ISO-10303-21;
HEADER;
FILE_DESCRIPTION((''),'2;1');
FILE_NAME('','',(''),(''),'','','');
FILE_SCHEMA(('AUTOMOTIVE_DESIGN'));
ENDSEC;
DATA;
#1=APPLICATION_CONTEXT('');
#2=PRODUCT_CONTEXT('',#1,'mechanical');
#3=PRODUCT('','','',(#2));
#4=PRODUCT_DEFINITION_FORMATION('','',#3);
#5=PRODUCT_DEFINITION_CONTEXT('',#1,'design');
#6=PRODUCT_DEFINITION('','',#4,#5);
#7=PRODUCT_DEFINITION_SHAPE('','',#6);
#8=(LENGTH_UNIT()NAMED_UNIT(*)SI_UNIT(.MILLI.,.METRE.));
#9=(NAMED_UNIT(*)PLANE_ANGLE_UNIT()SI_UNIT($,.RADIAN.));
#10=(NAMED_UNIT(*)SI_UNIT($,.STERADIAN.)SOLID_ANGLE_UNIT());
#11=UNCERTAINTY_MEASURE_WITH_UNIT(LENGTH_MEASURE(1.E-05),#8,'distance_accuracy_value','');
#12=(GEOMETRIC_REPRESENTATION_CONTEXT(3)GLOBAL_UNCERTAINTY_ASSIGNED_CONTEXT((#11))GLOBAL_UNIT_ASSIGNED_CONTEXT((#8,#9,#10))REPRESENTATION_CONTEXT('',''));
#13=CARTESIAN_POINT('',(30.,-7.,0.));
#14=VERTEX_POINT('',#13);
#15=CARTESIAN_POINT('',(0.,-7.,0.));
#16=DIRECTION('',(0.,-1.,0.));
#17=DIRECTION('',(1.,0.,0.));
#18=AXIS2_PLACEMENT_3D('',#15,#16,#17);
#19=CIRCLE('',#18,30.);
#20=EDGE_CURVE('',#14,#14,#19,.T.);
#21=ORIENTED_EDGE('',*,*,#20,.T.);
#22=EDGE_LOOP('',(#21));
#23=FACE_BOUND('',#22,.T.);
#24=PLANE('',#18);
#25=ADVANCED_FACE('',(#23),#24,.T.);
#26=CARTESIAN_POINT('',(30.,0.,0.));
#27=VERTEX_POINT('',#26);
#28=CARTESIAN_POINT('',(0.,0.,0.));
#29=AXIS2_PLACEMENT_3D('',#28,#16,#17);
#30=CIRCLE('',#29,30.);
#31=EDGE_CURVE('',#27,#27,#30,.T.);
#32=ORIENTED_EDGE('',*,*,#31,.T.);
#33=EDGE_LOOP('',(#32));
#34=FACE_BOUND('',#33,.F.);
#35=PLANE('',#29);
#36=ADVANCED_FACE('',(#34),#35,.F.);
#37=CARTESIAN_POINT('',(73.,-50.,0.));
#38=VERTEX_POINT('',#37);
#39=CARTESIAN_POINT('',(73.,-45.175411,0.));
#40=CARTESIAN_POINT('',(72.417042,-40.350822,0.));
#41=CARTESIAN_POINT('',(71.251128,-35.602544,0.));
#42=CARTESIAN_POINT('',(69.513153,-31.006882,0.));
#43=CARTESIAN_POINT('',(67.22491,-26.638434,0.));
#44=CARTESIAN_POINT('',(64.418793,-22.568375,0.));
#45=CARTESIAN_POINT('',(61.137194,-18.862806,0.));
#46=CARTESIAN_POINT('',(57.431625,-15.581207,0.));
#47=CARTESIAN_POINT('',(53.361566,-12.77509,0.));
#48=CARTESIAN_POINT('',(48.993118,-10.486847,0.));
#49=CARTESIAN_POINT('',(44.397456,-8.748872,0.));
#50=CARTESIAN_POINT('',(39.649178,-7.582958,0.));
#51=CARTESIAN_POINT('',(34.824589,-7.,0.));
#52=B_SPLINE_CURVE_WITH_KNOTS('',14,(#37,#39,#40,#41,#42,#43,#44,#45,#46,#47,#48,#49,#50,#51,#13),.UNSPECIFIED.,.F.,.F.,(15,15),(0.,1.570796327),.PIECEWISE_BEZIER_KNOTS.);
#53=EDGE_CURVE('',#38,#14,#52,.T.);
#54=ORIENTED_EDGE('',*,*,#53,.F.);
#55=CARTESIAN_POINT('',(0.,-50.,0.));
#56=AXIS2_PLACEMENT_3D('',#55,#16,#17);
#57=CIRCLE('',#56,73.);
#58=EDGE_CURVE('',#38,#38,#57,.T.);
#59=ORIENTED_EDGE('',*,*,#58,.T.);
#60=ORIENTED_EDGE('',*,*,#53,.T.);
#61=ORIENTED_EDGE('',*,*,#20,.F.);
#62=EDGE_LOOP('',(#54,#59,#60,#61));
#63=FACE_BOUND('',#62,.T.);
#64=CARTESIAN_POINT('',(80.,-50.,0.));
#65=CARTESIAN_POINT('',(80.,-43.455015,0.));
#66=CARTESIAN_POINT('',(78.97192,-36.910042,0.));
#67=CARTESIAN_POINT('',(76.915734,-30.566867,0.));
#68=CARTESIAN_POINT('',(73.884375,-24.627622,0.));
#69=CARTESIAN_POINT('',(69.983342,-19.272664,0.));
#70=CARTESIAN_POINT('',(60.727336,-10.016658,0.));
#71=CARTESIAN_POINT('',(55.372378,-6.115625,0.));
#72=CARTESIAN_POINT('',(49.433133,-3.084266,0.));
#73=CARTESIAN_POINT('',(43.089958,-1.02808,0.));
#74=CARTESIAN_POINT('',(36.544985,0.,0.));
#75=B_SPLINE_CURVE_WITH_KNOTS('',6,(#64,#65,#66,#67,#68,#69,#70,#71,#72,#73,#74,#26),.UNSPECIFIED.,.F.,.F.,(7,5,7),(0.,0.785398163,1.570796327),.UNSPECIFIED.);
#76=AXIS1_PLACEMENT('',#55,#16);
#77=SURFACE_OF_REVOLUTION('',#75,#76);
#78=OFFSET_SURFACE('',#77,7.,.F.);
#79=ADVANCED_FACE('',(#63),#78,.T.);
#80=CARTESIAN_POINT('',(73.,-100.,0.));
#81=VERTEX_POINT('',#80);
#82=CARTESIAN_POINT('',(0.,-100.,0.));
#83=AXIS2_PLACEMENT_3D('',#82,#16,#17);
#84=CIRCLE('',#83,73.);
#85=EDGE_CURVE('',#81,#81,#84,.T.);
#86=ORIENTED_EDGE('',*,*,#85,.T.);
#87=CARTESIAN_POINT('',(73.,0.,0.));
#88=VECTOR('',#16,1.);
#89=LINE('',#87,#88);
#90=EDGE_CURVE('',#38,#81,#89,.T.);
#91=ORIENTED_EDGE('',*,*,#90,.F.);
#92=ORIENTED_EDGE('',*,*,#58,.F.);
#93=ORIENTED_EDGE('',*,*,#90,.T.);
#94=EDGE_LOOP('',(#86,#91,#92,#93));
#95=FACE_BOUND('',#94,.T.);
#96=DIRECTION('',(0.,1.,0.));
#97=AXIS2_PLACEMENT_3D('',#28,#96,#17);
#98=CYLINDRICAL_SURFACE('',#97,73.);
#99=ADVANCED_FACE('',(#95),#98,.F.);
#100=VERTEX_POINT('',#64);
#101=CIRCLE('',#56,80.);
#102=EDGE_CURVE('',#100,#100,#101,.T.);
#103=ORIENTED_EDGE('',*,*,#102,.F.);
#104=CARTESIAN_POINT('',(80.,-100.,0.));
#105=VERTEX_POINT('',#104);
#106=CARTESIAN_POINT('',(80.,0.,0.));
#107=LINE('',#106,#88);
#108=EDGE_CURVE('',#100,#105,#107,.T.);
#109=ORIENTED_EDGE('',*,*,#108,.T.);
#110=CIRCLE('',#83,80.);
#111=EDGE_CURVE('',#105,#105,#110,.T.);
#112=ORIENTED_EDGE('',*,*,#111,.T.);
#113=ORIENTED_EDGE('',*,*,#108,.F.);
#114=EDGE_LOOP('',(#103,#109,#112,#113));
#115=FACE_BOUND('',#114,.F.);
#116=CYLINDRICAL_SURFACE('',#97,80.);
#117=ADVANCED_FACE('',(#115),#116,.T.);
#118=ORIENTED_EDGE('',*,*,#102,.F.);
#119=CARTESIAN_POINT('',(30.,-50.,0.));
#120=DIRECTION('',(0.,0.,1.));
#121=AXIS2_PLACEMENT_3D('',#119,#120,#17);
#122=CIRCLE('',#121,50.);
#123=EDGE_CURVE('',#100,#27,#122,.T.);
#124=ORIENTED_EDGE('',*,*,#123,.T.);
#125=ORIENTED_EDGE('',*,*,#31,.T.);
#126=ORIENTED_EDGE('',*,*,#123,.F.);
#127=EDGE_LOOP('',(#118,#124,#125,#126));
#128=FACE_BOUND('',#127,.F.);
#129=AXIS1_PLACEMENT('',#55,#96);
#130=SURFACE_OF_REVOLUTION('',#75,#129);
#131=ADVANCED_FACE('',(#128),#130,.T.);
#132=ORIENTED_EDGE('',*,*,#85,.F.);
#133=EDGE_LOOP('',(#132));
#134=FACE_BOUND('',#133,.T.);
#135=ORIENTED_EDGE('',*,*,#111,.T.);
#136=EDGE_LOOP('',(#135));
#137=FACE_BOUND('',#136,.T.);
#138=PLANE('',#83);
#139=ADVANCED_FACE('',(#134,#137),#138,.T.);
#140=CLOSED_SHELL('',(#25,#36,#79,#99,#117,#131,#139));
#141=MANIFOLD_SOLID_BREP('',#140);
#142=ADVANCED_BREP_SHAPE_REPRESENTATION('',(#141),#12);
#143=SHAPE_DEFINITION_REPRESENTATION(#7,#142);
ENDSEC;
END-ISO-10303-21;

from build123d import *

# Parameters (mm, degrees)
F0_R     = 80
F1_DEPTH = 100
F2_R     = 50
F3_T     = -7


with BuildPart() as f1:
    # F0 (on Front) → F1 (new body)
    with BuildSketch(Plane.XZ):
        Circle(F0_R)
    extrude(amount=F1_DEPTH)

    # F2
    f2_edges = [f1.edges().sort_by_distance(p)[0] for p in [
        (-80, 0, 0),
    ]]
    fillet(f2_edges, radius=F2_R)

    # F3
    f3_openings = [f1.faces().sort_by_distance(p)[0] for p in [
        (0, -100, 0),
    ]]
    offset(amount=F3_T, openings=f3_openings)


solid = f1.part
